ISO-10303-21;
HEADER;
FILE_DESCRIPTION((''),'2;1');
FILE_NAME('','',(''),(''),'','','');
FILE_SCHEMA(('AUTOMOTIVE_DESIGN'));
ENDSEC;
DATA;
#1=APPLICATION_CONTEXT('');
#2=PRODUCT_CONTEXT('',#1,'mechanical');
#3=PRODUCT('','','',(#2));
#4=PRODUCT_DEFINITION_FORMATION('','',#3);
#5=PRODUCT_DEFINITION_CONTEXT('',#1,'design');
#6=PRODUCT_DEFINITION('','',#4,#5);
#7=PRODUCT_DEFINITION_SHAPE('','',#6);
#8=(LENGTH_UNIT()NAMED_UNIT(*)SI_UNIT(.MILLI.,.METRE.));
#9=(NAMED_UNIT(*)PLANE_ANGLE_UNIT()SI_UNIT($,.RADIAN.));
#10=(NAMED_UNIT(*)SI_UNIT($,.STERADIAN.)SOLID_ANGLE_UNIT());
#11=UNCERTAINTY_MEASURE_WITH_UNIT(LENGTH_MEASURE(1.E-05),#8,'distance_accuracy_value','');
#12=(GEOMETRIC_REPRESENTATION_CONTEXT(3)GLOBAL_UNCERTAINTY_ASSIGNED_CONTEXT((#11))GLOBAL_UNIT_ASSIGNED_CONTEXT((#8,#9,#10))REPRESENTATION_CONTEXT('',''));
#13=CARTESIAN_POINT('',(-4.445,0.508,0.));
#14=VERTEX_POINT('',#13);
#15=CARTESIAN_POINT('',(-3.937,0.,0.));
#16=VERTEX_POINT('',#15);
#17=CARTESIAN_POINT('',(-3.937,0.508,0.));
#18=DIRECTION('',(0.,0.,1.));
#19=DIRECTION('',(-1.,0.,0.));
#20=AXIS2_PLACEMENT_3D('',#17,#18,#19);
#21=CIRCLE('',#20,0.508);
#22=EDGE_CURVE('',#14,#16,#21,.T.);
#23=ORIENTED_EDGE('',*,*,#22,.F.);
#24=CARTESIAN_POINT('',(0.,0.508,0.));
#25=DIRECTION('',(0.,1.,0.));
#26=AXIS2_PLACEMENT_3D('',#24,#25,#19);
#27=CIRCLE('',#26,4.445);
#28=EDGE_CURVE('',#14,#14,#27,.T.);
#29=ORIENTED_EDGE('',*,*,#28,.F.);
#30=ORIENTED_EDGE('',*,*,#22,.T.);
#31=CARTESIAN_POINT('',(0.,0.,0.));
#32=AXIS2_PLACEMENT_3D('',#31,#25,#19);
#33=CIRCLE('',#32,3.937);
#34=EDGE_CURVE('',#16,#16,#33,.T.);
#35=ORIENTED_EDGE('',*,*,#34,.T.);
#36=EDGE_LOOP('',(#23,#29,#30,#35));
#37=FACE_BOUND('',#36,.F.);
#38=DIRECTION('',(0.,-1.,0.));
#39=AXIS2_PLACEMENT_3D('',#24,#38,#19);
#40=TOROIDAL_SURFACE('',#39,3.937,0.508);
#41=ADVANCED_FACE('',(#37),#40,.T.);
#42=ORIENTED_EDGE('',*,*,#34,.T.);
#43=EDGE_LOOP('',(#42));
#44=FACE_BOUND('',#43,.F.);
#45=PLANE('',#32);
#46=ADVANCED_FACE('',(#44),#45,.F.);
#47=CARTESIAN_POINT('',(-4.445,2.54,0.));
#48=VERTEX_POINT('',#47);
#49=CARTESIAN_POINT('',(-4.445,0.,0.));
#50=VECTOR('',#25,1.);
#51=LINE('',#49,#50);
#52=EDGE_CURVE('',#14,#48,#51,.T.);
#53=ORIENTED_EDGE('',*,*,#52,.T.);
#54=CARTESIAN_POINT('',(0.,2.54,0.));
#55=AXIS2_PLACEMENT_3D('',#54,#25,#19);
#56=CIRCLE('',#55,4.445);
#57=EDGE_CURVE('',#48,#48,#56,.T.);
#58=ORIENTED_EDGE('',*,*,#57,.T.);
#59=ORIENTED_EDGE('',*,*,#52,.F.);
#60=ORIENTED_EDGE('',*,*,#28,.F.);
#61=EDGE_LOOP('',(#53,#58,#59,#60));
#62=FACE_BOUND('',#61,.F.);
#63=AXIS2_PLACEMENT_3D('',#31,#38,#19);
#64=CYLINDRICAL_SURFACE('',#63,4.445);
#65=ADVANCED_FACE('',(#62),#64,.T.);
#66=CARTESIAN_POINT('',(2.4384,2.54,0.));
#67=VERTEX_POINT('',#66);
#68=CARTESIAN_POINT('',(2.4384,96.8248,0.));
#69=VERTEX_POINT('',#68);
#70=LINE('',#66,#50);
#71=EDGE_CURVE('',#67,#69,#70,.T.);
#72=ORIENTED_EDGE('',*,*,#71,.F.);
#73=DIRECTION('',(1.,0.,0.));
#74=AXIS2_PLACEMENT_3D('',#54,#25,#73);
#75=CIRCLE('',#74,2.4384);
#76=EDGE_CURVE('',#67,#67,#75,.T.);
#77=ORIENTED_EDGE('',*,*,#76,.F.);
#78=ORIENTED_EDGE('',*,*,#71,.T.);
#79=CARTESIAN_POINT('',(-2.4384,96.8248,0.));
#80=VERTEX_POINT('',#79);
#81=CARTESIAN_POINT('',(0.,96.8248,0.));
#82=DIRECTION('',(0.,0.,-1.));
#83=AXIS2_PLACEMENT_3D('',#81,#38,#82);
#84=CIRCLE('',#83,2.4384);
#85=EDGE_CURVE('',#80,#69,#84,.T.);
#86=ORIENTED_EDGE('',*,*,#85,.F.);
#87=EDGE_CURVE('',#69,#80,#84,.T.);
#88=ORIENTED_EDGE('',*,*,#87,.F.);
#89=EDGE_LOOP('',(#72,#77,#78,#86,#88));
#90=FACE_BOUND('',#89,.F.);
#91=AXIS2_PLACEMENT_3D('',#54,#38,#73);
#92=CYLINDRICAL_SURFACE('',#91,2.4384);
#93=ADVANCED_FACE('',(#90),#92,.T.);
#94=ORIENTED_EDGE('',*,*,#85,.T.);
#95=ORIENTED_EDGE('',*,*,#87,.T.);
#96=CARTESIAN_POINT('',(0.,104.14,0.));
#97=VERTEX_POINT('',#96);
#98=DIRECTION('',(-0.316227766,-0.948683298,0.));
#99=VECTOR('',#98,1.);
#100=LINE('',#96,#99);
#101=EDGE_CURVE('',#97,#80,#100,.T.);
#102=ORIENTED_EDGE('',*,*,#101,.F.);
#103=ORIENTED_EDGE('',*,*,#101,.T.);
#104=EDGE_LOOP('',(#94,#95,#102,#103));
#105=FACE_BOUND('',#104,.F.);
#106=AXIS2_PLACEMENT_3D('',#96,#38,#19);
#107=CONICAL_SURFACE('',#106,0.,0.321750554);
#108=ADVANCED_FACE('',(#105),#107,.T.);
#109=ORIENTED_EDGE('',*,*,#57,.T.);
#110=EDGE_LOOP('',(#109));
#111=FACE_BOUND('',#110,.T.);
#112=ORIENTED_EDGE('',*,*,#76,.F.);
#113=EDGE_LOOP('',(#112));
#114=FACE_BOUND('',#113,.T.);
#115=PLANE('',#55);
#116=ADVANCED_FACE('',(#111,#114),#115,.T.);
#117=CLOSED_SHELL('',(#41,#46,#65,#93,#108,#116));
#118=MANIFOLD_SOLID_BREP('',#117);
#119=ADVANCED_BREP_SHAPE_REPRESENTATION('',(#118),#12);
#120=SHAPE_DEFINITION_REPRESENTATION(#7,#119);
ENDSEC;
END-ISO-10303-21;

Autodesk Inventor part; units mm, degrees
ref_plane "YZ Plane" through (0, 0, 0) normal (1, 0, 0) x (0, 1, 0)
ref_plane "XZ Plane" through (0, 0, 0) normal (0, 1, 0) x (-1, 0, 0)
sketch "Sketch1" plane through (0, 0, 0) normal (0, 1, 0) x (-1, 0, 0)
  circle A0 centre (0, 0) radius 4.445
  dimension "d0" = 8.89
extrude "Extrusion1" add sketch "Sketch1" along normal blind 2.54
sketch "Sketch2" plane through (0, 2.54, 0) normal (0, 1, 0) x (1, 0, 0)
  circle A0 centre (0, 0) radius 4.445 projected
  circle A1 centre (0, 0) radius 2.4384
  dimension "d5" = 4.8768
extrude "Extrusion2" add sketch "Sketch2" along normal blind 101.6 contours A1
sketch "Sketch3" plane through (0, 104.14, 0) normal (0, 1, 0) x (1, 0, 0)
  circle A0 centre (0, 0) radius 2.4384 projected
  point P0 (0, 2.4384)
ref_plane "Work Plane2" through (0, 104.14, 0) normal (0, 0, -1) x (-1, 0, 0)
ref_plane "Work Plane1" through (0, 104.14, -2.4384) normal (0, 0, -1) x (-1, 0, 0)
sketch "Sketch4" plane through (0, 104.14, 0) normal (0, 0, -1) x (-1, 0, 0)
  line L0 (3.175, -4.7625) -> (3.175, 0)
  line L1 (3.175, 0) -> (0, 0)
  line L2 (0, 0.1023) -> (0, 1.7624)
  line L3 (0, 0) -> (3.175, -9.525)
  line L4 (3.175, -4.7625) -> (3.175, -9.525)
  point P0 (0, -104.14)
revolve "Revolution1" cut sketch "Sketch4" angle 360 about axis through (0, 104.2423, 0) along (0, 1, 0)
fillet "Fillet1" radius 0.508 1 edges at (4.445, 0, 0)
properties part number "nail" material "Steel, Galvanized"
